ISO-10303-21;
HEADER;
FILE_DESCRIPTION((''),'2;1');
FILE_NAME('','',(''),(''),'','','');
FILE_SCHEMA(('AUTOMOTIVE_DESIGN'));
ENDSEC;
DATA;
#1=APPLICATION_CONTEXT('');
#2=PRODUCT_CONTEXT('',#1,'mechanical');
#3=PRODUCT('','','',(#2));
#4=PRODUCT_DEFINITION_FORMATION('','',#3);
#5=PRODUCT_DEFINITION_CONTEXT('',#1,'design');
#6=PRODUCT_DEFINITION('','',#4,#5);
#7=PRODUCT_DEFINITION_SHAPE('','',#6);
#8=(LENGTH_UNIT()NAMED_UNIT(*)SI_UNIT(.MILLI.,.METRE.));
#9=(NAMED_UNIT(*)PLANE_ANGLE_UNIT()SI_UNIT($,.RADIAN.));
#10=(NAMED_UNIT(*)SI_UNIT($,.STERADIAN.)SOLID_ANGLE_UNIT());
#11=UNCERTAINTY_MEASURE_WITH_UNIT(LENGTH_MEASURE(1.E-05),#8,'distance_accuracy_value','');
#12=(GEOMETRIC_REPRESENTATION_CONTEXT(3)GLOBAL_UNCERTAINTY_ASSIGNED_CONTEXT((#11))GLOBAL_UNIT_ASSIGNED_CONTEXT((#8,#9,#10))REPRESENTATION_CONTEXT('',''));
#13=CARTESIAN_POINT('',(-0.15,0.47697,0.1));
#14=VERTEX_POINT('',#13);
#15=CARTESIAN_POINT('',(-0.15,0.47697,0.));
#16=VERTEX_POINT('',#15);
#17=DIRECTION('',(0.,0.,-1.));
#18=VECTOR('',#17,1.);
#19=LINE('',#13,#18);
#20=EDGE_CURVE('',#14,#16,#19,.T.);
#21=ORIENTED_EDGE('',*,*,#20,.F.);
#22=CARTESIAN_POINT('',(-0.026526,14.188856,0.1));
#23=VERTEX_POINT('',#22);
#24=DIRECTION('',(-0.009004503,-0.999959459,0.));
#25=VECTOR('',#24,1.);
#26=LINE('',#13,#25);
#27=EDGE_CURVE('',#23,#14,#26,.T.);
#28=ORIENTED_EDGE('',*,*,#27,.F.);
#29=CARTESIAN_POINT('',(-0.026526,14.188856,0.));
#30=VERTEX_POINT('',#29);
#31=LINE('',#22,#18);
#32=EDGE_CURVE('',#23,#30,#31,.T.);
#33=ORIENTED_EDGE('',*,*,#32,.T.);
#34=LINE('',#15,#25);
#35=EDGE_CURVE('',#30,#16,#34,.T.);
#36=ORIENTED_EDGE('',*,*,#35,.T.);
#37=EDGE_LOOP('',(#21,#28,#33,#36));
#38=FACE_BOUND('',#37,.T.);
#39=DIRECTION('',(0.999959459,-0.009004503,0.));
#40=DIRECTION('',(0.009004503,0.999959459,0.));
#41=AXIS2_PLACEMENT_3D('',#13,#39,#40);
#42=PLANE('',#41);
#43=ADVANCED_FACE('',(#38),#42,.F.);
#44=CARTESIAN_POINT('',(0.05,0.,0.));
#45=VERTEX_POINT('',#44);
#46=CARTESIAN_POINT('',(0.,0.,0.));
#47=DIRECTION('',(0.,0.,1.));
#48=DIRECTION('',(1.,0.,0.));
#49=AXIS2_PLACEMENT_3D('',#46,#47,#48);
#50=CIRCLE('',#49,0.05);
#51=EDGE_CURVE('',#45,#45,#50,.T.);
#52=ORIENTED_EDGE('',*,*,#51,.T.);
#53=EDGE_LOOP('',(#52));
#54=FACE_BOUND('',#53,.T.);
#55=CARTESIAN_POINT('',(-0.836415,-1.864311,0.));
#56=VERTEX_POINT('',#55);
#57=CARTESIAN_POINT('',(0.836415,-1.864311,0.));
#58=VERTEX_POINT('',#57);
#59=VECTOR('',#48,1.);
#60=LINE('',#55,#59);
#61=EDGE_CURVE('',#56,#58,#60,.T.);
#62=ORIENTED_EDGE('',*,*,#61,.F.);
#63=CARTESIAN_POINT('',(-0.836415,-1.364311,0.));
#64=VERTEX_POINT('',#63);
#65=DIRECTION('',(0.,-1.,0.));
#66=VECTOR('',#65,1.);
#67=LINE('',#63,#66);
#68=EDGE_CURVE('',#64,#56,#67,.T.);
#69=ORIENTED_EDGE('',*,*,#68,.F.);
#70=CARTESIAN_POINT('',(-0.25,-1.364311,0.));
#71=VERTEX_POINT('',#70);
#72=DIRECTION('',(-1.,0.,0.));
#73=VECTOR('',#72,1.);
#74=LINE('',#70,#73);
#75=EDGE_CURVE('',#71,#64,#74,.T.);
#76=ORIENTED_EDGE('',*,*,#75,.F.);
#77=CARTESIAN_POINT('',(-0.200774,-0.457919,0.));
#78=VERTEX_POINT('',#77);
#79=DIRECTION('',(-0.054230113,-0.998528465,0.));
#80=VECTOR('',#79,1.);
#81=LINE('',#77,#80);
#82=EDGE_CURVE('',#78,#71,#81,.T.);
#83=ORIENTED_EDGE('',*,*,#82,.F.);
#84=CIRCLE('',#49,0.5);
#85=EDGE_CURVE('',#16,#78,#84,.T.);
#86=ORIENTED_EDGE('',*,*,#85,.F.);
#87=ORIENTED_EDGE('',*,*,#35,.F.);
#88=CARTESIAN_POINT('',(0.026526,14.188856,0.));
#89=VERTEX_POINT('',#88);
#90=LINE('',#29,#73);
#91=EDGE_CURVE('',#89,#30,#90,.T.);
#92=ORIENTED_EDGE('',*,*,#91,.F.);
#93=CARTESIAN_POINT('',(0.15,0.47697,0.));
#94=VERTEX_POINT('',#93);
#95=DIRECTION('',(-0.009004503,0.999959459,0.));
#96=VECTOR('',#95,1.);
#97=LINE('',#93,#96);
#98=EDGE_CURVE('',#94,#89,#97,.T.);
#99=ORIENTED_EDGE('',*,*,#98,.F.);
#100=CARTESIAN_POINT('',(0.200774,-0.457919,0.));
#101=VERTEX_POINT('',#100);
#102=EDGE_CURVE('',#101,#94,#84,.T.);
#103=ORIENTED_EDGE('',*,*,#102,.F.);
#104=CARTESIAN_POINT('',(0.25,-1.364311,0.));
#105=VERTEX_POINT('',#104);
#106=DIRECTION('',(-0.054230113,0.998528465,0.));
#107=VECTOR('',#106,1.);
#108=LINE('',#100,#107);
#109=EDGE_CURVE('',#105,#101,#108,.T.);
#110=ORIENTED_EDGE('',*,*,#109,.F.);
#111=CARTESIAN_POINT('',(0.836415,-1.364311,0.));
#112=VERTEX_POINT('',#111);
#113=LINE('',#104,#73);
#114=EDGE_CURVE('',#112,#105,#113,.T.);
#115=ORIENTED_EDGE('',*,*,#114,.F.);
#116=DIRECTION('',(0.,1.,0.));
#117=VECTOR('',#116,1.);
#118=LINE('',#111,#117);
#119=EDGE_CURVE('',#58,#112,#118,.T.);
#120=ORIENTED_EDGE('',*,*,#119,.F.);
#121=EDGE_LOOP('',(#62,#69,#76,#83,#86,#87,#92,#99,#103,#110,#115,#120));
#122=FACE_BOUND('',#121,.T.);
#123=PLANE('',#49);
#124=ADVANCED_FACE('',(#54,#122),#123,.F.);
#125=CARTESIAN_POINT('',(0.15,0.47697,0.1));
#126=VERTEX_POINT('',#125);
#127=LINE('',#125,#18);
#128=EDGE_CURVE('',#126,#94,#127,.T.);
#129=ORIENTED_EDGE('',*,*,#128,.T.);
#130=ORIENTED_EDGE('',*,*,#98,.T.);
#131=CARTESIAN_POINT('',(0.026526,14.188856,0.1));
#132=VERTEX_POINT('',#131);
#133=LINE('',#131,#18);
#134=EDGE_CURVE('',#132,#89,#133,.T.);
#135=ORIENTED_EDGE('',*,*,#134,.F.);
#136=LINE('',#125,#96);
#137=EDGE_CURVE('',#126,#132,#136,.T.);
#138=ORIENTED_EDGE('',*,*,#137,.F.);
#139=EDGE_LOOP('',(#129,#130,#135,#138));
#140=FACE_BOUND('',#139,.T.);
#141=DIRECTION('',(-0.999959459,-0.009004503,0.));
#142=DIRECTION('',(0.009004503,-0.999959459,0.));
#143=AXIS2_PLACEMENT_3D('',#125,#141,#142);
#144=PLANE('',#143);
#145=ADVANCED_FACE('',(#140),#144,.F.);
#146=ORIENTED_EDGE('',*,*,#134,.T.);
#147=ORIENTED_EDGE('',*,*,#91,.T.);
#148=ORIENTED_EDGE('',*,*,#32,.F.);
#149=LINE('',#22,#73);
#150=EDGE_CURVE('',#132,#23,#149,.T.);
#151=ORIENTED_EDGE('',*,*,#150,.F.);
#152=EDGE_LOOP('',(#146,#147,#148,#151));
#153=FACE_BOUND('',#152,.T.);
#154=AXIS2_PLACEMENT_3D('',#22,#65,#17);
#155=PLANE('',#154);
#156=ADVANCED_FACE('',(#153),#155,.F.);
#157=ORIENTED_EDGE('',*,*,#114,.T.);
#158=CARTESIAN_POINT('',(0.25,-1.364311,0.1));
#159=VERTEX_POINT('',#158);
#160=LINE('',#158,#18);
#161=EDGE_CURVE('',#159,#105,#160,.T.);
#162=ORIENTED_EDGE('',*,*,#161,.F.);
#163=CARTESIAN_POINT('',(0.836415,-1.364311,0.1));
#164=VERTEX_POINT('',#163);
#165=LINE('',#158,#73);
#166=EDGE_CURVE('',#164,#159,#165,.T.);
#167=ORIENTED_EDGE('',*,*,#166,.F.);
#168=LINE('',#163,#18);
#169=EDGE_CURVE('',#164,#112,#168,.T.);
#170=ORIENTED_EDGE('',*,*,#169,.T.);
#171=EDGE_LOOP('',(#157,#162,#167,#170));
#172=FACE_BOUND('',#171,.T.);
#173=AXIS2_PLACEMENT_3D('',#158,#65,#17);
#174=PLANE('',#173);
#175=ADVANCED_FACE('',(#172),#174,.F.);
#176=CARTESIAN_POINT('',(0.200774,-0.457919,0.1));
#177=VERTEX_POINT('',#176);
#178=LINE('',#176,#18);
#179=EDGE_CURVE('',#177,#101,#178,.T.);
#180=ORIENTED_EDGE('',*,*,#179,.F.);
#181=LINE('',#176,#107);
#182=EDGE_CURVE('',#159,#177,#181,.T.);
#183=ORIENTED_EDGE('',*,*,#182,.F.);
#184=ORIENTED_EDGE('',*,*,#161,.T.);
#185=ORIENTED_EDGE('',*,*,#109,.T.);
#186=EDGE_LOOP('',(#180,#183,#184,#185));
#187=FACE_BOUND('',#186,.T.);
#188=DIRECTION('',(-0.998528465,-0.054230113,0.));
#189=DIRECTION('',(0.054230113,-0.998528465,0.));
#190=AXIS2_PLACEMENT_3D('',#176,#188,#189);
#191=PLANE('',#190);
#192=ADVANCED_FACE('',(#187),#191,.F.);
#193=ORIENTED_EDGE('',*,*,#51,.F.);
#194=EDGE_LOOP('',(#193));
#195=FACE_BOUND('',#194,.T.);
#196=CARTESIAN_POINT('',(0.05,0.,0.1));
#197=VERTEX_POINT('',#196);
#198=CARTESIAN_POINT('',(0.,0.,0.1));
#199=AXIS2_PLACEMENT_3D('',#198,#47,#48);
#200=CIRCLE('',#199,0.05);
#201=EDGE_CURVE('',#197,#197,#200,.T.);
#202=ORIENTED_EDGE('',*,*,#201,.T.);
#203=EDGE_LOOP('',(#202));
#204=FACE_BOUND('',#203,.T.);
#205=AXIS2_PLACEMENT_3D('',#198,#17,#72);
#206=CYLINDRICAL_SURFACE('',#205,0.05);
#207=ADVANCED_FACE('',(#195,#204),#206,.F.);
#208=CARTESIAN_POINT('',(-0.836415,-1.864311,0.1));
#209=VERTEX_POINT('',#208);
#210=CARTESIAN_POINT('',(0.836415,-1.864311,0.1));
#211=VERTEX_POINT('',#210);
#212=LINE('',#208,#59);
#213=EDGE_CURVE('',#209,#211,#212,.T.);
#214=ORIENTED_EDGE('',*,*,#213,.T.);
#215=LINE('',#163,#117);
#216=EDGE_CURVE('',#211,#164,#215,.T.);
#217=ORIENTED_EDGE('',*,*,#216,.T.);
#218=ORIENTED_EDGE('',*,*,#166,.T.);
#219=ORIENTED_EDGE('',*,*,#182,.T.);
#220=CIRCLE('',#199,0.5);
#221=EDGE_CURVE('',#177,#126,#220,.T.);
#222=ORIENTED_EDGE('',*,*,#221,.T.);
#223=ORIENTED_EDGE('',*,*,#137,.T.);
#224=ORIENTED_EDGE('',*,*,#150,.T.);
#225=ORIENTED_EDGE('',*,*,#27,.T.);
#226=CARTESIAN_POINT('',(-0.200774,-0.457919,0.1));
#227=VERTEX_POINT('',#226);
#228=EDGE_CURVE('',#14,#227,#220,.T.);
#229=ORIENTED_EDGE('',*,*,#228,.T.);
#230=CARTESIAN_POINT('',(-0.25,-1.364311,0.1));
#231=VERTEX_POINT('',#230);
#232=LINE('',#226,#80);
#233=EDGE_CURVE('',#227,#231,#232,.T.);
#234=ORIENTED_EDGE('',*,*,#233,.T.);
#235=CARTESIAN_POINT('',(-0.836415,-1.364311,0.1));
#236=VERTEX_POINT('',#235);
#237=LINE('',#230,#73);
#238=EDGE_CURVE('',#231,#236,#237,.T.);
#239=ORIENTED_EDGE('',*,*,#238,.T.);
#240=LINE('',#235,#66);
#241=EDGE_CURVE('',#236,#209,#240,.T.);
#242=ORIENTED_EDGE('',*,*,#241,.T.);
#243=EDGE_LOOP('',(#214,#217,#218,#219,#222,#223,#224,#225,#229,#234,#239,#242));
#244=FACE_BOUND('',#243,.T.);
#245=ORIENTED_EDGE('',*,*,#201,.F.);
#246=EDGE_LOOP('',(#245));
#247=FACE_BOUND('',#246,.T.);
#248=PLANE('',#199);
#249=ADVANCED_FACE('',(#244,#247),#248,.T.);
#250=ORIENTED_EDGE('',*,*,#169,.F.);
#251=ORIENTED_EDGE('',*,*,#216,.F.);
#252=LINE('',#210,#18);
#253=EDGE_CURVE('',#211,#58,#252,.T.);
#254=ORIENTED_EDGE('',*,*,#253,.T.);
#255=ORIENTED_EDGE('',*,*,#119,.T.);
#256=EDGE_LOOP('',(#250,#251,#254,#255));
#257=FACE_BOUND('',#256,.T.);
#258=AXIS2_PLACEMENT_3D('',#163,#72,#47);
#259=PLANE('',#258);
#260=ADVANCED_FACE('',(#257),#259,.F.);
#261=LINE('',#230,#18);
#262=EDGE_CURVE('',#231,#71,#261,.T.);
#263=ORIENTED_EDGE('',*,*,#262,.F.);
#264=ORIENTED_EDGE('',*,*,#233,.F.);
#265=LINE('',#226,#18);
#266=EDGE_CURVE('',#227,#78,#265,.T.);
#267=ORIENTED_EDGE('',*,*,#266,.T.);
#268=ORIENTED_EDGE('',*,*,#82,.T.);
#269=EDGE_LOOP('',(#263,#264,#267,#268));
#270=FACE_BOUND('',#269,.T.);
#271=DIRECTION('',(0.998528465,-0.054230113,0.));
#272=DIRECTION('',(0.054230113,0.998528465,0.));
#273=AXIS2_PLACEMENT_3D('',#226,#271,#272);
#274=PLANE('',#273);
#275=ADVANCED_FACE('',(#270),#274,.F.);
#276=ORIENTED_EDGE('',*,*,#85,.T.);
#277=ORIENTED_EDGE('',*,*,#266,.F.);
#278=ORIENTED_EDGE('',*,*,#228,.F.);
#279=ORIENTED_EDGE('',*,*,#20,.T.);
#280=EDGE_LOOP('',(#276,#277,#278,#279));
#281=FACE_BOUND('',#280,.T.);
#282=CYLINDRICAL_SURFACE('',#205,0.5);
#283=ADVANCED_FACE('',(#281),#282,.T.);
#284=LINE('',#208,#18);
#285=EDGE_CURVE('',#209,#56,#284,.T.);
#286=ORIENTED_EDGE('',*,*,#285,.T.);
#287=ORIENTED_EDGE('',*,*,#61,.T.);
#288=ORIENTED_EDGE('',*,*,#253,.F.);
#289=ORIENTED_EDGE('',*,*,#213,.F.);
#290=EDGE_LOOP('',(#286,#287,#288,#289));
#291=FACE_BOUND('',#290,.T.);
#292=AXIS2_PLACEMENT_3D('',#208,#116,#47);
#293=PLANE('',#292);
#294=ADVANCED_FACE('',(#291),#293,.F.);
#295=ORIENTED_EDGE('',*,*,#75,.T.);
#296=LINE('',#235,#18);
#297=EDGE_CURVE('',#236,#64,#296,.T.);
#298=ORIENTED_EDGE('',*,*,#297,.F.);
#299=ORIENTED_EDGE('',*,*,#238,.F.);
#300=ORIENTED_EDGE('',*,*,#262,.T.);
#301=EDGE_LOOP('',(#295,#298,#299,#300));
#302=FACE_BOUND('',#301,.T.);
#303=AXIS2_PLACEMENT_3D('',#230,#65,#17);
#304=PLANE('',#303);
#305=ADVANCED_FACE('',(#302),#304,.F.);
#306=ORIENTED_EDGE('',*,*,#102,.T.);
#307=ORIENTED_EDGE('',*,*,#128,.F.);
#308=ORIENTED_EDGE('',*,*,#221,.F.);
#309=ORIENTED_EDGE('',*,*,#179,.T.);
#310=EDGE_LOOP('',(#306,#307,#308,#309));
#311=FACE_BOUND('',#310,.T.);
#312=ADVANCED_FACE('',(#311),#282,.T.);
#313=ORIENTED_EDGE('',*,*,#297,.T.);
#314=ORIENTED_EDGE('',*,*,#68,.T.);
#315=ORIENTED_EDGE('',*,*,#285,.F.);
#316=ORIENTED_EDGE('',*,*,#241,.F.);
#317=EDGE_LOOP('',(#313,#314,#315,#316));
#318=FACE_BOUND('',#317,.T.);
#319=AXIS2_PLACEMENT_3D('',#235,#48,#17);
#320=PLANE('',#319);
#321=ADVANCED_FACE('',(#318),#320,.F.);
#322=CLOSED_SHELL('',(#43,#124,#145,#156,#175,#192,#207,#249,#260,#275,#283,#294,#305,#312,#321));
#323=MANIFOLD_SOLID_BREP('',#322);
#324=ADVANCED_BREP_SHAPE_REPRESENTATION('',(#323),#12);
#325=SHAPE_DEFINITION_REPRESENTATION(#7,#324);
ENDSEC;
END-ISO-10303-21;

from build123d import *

# Parameters (mm, degrees)
SKETCH1_R           = 0.05
BOSS_EXTRUDE1_DEPTH = 0.1


with BuildPart() as part:
    # Sketch1 → Boss-Extrude1 (new body)
    with BuildSketch(Plane.XY):
        with BuildLine():
            Line((0.200773833, -0.457919063), (0.25, -1.364310845))
            Line((0.25, -1.364310845), (0.836414697, -1.364310845))
            Line((0.836414697, -1.364310845), (0.836414697, -1.864310845))
            Line((0.836414697, -1.864310845), (-0.836414697, -1.864310845))
            Line((-0.836414697, -1.864310845), (-0.836414697, -1.364310845))
            Line((-0.836414697, -1.364310845), (-0.25, -1.364310845))
            Line((-0.25, -1.364310845), (-0.200773833, -0.457919063))
            ThreePointArc((-0.200773833, -0.457919063), (-0.499264232, 0.027115056), (-0.15, 0.476969601))
            Line((-0.15, 0.476969601), (-0.026526263, 14.188856359))
            Line((-0.026526263, 14.188856359), (0.026526263, 14.188856359))
            Line((0.026526263, 14.188856359), (0.15, 0.476969601))
            ThreePointArc((0.15, 0.476969601), (0.499264232, 0.027115056), (0.200773833, -0.457919063))
        make_face()
        Circle(SKETCH1_R, mode=Mode.SUBTRACT)
    extrude(amount=BOSS_EXTRUDE1_DEPTH)


solid = part.part
